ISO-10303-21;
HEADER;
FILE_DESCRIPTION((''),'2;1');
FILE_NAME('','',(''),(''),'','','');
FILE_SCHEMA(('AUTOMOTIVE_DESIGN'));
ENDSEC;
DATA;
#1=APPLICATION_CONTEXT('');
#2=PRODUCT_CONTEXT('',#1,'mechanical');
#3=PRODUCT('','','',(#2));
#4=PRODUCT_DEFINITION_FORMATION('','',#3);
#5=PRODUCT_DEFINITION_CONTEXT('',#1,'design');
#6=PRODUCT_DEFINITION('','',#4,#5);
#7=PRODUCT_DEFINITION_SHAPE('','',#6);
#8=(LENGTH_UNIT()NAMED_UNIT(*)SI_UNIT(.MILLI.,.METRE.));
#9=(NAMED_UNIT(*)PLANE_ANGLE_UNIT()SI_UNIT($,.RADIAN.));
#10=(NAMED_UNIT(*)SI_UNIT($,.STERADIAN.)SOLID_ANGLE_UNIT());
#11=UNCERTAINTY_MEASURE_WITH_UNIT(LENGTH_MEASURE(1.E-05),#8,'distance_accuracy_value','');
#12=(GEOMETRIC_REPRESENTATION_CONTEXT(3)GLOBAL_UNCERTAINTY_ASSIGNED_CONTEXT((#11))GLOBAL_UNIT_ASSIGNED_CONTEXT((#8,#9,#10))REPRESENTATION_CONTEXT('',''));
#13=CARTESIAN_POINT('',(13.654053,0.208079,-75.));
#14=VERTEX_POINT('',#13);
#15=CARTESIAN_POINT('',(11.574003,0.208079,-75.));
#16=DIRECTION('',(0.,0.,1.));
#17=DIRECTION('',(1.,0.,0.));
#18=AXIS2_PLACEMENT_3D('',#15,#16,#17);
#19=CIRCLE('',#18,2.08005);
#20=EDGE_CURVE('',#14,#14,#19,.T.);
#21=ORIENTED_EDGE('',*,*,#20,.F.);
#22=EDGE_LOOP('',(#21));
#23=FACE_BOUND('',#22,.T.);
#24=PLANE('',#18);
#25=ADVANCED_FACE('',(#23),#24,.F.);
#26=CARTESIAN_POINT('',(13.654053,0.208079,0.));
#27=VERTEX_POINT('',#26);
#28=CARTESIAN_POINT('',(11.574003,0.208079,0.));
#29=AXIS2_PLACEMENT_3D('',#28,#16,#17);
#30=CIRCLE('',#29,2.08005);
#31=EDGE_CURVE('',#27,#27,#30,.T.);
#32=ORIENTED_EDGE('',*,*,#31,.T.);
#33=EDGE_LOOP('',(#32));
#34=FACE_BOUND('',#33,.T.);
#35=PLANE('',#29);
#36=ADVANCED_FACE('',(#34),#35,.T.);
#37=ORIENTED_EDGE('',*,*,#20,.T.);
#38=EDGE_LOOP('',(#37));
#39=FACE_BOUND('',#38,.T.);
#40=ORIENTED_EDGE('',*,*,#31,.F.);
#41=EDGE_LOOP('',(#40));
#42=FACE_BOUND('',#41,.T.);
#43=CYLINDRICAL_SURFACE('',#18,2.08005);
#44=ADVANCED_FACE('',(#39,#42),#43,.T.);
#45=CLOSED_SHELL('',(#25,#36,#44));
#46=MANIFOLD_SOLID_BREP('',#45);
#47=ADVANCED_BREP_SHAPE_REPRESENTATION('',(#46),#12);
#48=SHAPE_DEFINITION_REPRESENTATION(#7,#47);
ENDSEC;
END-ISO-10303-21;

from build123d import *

# Parameters (mm, degrees)
SKETCH1_R           = 2.080050088
BOSS_EXTRUDE1_DEPTH = 75


with BuildPart() as part:
    # Sketch1 → Boss-Extrude1 (new body)
    with BuildSketch(Plane.XY):
        with Locations((11.574002988, 0.208079197)):
            Circle(SKETCH1_R)
    extrude(amount=-BOSS_EXTRUDE1_DEPTH)


solid = part.part
